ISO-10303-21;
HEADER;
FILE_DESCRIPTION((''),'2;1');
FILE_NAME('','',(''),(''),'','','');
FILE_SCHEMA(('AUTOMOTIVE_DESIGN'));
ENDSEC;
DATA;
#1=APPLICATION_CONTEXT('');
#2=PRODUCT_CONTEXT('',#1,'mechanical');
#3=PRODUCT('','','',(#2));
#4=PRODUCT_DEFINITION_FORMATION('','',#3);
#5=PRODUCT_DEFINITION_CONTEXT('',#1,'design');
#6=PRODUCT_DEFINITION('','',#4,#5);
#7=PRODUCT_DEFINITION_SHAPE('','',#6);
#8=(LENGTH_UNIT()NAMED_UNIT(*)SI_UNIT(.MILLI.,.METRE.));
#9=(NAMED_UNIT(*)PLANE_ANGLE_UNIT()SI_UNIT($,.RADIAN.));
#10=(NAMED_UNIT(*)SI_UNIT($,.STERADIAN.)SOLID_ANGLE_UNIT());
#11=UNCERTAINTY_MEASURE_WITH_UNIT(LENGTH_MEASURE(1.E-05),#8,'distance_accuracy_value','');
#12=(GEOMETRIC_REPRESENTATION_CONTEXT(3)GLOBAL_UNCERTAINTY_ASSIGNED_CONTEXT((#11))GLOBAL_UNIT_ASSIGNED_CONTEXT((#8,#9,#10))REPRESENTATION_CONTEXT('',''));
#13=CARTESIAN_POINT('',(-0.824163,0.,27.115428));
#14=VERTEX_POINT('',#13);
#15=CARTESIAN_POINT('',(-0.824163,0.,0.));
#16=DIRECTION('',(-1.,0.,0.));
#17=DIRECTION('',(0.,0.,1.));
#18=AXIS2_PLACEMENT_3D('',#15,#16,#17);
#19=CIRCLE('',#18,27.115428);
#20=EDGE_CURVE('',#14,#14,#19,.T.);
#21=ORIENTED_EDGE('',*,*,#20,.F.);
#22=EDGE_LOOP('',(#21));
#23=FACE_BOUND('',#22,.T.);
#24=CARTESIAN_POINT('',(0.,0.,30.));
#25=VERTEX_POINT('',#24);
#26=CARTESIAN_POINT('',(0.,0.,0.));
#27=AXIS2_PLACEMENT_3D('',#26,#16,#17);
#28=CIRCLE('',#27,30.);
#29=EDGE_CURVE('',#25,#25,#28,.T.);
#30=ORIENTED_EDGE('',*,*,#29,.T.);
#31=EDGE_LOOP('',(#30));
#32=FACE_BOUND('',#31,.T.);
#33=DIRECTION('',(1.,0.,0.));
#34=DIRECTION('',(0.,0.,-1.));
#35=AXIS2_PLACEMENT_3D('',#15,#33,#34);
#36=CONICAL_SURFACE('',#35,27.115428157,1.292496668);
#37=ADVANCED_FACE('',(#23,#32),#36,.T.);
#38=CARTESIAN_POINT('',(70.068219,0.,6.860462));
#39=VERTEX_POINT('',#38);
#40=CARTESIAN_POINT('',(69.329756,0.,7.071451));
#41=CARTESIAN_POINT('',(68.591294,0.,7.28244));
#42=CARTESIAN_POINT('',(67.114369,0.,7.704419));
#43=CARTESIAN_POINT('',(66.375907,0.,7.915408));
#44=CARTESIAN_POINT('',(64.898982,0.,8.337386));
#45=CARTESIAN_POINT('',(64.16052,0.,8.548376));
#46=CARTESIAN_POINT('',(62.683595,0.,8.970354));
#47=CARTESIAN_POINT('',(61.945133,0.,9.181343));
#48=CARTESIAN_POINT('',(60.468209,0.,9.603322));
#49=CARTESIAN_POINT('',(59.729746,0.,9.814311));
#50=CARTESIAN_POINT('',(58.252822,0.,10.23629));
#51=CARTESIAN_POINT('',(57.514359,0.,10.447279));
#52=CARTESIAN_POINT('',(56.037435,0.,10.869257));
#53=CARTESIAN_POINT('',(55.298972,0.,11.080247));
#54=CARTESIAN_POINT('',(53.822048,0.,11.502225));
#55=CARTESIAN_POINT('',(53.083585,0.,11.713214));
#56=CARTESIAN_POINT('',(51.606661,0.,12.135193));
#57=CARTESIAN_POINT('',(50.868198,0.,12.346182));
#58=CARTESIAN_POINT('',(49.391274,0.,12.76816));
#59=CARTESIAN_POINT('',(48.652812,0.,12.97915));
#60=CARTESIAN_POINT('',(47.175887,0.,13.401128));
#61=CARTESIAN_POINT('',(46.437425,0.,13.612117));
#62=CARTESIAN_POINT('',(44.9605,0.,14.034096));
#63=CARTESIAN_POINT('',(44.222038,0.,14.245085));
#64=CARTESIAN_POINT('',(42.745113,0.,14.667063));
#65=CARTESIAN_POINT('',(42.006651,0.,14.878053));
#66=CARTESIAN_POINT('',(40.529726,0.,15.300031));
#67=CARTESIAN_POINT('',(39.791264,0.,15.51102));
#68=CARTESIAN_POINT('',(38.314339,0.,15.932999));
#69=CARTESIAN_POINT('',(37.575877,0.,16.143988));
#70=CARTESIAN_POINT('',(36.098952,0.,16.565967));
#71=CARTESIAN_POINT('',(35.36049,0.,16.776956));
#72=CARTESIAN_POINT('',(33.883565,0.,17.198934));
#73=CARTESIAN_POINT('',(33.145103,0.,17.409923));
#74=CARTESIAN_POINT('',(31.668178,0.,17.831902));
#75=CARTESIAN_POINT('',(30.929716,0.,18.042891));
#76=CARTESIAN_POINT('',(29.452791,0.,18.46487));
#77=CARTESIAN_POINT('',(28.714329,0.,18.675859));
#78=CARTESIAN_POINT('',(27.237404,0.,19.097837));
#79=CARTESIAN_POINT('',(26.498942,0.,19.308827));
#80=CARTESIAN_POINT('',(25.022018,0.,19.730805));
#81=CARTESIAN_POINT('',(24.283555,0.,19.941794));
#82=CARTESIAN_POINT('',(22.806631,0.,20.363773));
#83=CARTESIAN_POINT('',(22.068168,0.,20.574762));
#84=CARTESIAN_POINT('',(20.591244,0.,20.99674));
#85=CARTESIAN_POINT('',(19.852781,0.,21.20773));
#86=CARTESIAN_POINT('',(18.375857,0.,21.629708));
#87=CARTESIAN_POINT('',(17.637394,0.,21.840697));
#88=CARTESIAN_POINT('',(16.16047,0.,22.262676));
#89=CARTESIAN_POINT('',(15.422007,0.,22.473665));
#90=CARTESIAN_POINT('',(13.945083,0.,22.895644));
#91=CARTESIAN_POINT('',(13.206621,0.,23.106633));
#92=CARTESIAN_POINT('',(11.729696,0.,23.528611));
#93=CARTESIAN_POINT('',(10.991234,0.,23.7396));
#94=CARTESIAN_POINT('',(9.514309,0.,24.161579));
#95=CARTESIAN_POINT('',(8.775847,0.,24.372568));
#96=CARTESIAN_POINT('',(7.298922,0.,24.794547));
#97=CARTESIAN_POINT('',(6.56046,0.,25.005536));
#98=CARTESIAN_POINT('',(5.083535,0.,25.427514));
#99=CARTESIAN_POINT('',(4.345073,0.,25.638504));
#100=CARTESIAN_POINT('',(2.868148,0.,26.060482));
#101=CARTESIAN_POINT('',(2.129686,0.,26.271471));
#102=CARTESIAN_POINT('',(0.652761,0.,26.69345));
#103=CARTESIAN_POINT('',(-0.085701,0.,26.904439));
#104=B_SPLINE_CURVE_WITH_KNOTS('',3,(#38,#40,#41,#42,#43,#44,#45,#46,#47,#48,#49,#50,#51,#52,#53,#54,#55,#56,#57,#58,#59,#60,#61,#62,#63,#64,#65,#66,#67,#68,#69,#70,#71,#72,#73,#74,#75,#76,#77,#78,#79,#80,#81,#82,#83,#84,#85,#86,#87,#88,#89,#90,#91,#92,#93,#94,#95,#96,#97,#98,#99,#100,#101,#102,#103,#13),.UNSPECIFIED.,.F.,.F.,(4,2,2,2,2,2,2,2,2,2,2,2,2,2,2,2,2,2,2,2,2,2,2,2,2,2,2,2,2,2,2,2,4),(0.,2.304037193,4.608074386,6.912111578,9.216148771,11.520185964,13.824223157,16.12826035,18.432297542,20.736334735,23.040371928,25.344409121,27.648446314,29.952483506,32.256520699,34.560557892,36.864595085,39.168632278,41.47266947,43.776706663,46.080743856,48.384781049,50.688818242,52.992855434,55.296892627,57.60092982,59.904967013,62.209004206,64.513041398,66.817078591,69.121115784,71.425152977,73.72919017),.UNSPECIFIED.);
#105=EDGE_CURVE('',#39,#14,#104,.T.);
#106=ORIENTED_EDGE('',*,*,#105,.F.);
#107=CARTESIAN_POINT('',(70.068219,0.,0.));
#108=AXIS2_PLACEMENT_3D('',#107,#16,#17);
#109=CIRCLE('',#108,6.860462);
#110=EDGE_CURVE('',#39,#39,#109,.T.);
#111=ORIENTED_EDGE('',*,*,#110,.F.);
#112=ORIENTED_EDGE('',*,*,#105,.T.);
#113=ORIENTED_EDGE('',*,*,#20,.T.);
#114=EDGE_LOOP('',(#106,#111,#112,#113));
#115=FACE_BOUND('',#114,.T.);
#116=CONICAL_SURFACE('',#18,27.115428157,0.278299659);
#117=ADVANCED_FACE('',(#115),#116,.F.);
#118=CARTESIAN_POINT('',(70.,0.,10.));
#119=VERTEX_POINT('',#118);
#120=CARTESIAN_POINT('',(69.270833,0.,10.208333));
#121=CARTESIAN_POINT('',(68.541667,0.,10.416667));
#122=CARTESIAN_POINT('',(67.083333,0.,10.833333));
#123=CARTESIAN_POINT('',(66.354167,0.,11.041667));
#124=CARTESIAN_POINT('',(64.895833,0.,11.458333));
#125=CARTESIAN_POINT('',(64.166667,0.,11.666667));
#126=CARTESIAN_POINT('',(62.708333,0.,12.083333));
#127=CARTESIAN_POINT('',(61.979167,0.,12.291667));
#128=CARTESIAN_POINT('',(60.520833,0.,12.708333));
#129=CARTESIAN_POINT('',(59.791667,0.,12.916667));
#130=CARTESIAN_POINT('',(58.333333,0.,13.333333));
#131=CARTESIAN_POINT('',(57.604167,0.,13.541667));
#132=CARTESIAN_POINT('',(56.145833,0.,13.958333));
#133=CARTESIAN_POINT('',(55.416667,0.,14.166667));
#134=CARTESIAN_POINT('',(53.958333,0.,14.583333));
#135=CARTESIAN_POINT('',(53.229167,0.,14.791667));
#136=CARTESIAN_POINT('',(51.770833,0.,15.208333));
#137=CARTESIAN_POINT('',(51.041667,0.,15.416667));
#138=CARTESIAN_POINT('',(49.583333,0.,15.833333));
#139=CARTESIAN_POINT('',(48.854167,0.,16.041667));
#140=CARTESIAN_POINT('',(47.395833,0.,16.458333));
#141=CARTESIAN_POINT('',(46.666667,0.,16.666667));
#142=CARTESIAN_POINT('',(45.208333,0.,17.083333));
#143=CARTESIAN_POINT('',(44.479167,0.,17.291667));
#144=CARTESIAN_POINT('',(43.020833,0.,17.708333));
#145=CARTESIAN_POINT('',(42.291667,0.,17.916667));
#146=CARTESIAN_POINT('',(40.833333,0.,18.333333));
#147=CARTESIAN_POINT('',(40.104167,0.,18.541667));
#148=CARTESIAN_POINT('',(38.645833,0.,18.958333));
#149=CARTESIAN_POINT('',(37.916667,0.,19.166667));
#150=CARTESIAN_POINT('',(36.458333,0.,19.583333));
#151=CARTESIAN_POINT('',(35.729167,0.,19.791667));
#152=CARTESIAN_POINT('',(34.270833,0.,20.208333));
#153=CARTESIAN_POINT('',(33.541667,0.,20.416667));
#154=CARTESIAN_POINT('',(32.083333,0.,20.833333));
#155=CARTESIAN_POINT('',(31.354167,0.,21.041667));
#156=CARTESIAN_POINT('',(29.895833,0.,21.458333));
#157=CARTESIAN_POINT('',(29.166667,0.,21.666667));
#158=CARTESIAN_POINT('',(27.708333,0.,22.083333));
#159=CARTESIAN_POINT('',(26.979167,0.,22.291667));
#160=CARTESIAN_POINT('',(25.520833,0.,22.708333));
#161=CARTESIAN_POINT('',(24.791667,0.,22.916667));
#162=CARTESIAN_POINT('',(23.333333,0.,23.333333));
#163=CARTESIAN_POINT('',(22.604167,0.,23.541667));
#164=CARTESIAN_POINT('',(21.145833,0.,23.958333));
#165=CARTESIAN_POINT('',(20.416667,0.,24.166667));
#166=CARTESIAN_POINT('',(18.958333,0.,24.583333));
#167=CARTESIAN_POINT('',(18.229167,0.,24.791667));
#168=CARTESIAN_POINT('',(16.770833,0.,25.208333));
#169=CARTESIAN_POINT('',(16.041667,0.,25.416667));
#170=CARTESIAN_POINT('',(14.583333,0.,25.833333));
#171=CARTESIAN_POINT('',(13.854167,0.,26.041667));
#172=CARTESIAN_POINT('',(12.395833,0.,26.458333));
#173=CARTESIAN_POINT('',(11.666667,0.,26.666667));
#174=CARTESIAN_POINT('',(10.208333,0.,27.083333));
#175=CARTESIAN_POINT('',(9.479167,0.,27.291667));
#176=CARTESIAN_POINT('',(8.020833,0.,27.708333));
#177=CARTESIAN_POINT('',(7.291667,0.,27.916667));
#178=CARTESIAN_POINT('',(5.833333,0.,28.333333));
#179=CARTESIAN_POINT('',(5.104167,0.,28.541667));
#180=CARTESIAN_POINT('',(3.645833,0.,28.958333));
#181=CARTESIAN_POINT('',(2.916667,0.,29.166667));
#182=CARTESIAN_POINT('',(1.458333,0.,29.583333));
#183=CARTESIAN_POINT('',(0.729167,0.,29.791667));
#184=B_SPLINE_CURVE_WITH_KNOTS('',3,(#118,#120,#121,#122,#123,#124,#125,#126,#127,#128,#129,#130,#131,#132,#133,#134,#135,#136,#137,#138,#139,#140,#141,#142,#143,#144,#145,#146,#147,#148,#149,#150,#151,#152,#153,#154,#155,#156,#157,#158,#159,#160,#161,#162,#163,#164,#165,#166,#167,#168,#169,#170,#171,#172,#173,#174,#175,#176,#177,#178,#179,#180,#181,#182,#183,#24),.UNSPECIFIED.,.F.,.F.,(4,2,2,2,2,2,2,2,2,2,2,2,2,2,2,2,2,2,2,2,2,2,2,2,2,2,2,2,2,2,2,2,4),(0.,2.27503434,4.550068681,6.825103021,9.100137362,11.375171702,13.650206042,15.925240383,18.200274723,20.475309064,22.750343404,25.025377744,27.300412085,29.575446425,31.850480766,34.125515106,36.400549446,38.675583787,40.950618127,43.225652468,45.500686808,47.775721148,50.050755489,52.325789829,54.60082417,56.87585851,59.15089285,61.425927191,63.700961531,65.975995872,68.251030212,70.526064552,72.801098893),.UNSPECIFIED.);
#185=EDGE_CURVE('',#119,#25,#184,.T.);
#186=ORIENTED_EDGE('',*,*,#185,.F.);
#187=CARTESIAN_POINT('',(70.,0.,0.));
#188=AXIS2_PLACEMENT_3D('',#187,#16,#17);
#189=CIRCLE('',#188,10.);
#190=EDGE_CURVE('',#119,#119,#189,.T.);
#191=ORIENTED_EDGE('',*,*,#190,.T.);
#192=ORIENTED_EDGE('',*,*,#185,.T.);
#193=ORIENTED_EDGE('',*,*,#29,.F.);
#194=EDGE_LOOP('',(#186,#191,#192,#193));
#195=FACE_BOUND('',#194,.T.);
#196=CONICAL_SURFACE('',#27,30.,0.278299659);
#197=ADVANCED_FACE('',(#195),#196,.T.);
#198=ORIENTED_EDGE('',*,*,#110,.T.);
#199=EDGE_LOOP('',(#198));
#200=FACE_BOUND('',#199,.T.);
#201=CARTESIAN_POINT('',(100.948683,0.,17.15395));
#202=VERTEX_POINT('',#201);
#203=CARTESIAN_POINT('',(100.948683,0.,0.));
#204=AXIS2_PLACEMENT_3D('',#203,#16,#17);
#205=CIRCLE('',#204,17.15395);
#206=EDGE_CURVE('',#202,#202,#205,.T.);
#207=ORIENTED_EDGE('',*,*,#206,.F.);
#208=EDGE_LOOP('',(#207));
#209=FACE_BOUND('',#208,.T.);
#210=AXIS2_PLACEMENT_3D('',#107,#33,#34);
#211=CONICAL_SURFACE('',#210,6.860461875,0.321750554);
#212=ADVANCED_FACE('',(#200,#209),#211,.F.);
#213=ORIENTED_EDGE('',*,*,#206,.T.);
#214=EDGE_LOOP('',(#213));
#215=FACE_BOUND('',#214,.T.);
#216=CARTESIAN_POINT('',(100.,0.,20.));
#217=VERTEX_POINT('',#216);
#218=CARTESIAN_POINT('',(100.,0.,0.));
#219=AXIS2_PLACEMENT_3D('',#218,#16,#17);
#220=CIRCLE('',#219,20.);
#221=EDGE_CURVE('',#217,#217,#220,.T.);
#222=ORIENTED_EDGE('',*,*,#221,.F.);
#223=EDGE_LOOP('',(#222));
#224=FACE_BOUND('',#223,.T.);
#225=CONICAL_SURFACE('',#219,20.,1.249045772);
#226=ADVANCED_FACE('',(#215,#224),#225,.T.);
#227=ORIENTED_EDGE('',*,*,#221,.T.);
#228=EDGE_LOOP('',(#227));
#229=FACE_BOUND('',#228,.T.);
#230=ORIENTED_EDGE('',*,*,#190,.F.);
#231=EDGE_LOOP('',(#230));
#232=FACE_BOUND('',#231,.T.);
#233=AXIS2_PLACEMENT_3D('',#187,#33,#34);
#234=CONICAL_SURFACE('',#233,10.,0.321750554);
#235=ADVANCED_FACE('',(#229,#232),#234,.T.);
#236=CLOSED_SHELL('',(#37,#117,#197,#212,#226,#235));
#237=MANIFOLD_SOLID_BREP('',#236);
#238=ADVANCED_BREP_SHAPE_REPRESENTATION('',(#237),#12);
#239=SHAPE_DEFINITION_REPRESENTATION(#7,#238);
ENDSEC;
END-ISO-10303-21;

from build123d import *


with BuildPart() as part:
    # Sketch1 → Revolve-Thin1 (revolve)
    with BuildSketch(Plane.XY, mode=Mode.PRIVATE) as revolve_thin1_sk:
        Polygon((0, 30), (70, 10), (100, 20), (100.948683298, 17.153950106), (70.068218605, 6.860461875), (-0.824163384, 27.115428157), align=None)
    revolve(revolve_thin1_sk.sketch.rotate(Axis((0, 0, 0), (1, 0, 0)), 90), axis=Axis((0, 0, 0), (1, 0, 0)))


solid = part.part
